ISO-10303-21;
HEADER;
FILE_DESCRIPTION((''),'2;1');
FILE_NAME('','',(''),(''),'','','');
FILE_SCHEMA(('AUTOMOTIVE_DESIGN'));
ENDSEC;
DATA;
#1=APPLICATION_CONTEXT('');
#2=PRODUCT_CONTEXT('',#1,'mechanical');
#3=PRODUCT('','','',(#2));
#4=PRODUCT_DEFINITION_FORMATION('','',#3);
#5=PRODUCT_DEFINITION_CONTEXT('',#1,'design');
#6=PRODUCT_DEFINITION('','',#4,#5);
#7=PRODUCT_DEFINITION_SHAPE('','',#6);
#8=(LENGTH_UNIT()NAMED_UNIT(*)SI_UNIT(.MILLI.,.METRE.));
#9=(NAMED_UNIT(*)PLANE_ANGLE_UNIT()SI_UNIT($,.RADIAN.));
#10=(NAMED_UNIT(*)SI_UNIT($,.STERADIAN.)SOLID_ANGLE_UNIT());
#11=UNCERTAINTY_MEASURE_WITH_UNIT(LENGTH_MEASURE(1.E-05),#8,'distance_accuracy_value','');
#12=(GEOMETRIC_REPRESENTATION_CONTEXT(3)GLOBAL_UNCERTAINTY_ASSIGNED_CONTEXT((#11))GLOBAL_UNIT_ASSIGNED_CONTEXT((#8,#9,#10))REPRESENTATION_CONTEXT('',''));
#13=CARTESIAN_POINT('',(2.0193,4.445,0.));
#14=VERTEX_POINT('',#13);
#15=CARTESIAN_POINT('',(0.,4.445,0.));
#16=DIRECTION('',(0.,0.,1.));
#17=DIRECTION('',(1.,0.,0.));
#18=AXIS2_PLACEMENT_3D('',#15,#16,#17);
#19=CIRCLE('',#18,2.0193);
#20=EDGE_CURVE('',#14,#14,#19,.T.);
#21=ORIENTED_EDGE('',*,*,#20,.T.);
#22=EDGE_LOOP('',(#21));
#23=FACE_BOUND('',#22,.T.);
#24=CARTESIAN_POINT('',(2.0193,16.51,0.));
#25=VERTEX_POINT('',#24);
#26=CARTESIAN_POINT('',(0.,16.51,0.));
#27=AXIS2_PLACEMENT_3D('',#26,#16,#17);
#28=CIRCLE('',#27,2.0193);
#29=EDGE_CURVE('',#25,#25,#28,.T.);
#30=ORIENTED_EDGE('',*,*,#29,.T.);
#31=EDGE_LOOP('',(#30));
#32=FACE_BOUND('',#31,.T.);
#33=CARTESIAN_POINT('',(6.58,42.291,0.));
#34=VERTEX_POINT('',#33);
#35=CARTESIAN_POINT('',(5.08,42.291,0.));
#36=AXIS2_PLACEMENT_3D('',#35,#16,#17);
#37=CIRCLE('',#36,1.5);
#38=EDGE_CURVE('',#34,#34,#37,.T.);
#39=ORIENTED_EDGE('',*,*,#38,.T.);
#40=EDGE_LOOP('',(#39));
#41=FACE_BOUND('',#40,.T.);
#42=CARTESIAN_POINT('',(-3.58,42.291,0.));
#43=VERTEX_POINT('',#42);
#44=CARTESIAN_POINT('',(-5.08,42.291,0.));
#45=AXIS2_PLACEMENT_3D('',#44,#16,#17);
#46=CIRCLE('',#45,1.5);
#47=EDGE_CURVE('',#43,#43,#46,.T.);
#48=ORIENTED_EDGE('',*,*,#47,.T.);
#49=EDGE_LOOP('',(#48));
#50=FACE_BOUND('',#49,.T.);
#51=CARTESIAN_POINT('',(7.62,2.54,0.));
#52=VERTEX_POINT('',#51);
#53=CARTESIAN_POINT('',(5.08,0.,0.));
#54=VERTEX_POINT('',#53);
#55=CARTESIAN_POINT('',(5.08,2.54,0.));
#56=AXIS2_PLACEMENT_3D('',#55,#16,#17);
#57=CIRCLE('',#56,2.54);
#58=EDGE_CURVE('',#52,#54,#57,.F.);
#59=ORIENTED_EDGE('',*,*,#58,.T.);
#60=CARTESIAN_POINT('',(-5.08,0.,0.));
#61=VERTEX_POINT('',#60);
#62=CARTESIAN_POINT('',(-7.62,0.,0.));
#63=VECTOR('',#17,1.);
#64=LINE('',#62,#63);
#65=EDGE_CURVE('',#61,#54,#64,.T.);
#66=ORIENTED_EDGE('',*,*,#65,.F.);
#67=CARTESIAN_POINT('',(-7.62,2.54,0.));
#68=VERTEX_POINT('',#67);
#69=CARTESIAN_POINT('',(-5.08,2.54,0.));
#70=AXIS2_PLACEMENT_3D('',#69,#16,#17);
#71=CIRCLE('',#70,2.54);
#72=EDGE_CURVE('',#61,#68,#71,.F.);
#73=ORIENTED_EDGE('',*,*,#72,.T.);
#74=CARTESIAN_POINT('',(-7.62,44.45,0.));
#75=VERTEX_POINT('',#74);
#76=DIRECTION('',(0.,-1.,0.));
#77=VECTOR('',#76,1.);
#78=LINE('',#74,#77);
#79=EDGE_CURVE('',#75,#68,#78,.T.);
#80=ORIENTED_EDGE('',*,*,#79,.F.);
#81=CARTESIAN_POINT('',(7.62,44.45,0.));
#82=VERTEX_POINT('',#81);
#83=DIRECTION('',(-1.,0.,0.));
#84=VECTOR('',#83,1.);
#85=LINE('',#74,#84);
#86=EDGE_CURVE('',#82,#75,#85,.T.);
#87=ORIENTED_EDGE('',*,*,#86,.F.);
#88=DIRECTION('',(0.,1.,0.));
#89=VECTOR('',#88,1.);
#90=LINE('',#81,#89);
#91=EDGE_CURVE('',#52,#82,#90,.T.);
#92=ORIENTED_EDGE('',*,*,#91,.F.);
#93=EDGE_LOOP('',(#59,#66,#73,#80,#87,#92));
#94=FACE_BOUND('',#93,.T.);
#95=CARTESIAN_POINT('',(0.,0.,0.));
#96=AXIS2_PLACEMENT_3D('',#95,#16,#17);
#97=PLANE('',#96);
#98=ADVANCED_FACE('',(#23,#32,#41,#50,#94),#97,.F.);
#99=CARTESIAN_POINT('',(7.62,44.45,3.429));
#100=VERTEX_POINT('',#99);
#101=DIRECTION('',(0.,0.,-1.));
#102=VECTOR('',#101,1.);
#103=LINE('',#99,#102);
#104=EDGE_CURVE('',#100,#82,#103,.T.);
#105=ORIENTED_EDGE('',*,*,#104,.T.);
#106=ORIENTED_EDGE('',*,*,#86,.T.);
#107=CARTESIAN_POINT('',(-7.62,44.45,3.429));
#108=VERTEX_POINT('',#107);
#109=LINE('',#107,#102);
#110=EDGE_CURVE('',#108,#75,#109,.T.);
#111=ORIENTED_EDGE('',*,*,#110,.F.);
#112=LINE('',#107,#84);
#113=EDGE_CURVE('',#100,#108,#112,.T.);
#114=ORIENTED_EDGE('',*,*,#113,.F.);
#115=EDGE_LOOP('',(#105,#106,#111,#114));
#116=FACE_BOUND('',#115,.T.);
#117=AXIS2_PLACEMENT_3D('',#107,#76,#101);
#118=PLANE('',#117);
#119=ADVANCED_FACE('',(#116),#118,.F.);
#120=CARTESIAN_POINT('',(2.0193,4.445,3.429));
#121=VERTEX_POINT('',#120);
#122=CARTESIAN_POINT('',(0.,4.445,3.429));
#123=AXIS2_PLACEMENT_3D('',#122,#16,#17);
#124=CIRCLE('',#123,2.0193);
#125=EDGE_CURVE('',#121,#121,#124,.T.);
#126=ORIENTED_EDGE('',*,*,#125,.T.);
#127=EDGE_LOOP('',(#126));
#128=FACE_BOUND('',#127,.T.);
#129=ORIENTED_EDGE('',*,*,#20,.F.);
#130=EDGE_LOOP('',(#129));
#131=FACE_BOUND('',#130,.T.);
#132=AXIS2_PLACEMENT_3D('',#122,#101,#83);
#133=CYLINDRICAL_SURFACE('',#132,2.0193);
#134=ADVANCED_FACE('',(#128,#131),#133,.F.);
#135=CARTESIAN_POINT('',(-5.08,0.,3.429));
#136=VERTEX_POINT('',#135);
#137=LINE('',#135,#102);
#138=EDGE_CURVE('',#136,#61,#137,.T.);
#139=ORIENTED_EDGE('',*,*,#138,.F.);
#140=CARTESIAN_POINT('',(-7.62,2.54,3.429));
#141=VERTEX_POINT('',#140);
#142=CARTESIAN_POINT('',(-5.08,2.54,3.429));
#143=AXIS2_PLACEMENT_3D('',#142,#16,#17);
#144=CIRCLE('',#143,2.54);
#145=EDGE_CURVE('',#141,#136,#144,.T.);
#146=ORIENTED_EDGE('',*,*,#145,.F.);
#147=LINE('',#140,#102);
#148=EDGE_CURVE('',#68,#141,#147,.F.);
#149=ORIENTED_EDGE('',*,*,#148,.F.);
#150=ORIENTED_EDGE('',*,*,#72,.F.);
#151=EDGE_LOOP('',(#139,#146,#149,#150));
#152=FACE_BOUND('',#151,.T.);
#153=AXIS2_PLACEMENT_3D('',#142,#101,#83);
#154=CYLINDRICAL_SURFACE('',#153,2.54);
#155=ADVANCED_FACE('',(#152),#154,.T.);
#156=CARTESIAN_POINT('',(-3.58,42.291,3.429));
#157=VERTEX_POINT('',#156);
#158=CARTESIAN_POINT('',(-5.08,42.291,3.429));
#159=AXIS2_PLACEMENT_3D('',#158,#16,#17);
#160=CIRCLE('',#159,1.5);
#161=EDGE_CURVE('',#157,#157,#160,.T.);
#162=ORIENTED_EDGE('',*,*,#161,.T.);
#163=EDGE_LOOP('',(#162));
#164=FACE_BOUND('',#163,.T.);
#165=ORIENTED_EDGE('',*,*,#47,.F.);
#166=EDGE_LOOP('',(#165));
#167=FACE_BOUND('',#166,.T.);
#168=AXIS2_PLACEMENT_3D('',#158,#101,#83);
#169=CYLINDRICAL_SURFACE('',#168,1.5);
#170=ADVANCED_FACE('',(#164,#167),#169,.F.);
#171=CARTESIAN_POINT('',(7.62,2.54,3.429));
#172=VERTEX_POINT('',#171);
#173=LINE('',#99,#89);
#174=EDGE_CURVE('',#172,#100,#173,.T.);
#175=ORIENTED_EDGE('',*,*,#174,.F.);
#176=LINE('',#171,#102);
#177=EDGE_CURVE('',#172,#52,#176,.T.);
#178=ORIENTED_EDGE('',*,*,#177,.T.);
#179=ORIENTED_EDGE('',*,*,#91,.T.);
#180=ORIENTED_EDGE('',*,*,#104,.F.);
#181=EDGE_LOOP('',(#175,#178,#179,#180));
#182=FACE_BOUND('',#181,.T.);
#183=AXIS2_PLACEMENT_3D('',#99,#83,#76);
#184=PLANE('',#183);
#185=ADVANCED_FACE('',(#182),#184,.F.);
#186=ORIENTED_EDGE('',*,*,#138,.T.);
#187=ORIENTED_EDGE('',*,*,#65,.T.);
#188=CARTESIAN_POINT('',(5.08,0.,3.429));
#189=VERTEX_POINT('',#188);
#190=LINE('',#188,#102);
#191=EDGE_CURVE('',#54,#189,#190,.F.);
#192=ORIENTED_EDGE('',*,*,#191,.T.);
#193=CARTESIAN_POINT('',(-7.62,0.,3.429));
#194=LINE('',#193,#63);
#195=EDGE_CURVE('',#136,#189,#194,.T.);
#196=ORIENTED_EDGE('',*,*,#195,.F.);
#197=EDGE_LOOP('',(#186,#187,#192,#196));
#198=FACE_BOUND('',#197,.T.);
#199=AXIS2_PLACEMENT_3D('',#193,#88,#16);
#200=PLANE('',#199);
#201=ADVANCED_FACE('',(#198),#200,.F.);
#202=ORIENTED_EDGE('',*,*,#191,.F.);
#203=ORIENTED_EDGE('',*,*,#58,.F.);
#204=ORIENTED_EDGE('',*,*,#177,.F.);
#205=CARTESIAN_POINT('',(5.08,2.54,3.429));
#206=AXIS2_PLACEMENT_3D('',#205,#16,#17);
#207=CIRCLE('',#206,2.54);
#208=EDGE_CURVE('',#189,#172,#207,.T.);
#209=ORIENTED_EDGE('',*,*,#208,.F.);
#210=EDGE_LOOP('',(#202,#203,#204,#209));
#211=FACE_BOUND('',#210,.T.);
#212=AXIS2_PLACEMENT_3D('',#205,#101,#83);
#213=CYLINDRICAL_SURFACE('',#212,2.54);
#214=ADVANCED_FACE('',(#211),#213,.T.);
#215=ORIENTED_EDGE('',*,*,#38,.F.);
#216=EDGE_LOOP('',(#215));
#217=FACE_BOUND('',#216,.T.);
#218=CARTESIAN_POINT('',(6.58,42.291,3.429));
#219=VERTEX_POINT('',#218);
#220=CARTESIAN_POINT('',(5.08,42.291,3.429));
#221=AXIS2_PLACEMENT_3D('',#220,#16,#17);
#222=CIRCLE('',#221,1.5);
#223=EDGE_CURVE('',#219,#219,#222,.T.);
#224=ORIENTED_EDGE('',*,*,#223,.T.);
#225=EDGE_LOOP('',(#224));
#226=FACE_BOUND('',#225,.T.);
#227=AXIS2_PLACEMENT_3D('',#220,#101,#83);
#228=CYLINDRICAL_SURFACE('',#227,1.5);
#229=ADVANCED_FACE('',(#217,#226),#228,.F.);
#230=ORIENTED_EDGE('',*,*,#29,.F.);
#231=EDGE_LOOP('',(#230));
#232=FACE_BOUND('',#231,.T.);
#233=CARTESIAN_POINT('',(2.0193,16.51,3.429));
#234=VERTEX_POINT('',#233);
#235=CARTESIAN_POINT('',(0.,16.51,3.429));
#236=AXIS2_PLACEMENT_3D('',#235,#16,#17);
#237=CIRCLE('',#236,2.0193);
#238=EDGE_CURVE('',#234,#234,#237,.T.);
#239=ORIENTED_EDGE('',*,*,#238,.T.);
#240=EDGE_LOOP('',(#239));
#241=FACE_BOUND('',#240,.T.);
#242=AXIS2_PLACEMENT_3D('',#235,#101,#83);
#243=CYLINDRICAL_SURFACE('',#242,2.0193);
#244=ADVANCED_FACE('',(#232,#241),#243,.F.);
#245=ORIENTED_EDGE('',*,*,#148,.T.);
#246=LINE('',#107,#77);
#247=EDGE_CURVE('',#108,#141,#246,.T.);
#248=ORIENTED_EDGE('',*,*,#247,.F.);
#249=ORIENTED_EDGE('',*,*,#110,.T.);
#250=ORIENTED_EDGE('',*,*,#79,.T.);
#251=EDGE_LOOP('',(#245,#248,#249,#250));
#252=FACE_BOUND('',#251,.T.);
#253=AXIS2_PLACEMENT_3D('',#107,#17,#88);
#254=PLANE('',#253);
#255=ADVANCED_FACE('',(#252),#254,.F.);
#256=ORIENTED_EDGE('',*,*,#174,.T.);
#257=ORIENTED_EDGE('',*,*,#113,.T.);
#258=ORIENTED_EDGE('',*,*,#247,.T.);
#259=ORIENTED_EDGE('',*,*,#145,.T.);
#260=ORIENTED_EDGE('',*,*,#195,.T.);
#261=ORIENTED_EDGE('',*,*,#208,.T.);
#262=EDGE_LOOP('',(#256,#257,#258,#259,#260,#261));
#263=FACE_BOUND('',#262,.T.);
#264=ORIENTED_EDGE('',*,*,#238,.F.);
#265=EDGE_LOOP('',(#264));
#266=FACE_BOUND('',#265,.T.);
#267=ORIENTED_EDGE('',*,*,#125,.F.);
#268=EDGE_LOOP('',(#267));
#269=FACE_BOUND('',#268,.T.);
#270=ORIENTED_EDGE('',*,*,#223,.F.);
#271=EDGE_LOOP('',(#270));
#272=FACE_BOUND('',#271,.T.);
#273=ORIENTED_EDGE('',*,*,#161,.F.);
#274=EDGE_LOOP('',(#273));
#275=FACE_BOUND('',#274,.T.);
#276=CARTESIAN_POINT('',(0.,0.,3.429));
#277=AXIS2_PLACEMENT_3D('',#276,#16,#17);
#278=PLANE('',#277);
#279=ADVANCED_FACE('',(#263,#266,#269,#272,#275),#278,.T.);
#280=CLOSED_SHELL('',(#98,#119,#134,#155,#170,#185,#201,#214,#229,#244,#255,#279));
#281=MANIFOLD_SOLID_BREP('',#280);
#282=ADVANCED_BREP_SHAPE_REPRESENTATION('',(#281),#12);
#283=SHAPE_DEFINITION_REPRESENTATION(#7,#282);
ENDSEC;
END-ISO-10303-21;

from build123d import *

# Parameters (mm, degrees)
SKETCH1_W           = 15.24
SKETCH1_H           = 44.45
SKETCH1_R           = 2.0193
SKETCH1_R_2         = 1.5
BOSS_EXTRUDE1_DEPTH = 3.429
FILLET1_R           = 2.54


with BuildPart() as part:
    # Sketch1 → Boss-Extrude1 (new body)
    with BuildSketch(Plane.XY):
        with Locations((0, 22.225)):
            Rectangle(SKETCH1_W, SKETCH1_H)
        with Locations((0, 4.445)):
            Circle(SKETCH1_R, mode=Mode.SUBTRACT)
        with Locations((0, 16.51)):
            Circle(SKETCH1_R, mode=Mode.SUBTRACT)
        with Locations((-5.08, 42.291)):
            Circle(SKETCH1_R_2, mode=Mode.SUBTRACT)
        with Locations((5.08, 42.291)):
            Circle(SKETCH1_R_2, mode=Mode.SUBTRACT)
    extrude(amount=BOSS_EXTRUDE1_DEPTH)

    # Fillet1
    fillet1_edges = [part.edges().sort_by_distance(p)[0] for p in [
        (7.62, 0, 1.7145),
        (-7.62, 0, 1.7145),
    ]]
    fillet(fillet1_edges, radius=FILLET1_R)


solid = part.part
